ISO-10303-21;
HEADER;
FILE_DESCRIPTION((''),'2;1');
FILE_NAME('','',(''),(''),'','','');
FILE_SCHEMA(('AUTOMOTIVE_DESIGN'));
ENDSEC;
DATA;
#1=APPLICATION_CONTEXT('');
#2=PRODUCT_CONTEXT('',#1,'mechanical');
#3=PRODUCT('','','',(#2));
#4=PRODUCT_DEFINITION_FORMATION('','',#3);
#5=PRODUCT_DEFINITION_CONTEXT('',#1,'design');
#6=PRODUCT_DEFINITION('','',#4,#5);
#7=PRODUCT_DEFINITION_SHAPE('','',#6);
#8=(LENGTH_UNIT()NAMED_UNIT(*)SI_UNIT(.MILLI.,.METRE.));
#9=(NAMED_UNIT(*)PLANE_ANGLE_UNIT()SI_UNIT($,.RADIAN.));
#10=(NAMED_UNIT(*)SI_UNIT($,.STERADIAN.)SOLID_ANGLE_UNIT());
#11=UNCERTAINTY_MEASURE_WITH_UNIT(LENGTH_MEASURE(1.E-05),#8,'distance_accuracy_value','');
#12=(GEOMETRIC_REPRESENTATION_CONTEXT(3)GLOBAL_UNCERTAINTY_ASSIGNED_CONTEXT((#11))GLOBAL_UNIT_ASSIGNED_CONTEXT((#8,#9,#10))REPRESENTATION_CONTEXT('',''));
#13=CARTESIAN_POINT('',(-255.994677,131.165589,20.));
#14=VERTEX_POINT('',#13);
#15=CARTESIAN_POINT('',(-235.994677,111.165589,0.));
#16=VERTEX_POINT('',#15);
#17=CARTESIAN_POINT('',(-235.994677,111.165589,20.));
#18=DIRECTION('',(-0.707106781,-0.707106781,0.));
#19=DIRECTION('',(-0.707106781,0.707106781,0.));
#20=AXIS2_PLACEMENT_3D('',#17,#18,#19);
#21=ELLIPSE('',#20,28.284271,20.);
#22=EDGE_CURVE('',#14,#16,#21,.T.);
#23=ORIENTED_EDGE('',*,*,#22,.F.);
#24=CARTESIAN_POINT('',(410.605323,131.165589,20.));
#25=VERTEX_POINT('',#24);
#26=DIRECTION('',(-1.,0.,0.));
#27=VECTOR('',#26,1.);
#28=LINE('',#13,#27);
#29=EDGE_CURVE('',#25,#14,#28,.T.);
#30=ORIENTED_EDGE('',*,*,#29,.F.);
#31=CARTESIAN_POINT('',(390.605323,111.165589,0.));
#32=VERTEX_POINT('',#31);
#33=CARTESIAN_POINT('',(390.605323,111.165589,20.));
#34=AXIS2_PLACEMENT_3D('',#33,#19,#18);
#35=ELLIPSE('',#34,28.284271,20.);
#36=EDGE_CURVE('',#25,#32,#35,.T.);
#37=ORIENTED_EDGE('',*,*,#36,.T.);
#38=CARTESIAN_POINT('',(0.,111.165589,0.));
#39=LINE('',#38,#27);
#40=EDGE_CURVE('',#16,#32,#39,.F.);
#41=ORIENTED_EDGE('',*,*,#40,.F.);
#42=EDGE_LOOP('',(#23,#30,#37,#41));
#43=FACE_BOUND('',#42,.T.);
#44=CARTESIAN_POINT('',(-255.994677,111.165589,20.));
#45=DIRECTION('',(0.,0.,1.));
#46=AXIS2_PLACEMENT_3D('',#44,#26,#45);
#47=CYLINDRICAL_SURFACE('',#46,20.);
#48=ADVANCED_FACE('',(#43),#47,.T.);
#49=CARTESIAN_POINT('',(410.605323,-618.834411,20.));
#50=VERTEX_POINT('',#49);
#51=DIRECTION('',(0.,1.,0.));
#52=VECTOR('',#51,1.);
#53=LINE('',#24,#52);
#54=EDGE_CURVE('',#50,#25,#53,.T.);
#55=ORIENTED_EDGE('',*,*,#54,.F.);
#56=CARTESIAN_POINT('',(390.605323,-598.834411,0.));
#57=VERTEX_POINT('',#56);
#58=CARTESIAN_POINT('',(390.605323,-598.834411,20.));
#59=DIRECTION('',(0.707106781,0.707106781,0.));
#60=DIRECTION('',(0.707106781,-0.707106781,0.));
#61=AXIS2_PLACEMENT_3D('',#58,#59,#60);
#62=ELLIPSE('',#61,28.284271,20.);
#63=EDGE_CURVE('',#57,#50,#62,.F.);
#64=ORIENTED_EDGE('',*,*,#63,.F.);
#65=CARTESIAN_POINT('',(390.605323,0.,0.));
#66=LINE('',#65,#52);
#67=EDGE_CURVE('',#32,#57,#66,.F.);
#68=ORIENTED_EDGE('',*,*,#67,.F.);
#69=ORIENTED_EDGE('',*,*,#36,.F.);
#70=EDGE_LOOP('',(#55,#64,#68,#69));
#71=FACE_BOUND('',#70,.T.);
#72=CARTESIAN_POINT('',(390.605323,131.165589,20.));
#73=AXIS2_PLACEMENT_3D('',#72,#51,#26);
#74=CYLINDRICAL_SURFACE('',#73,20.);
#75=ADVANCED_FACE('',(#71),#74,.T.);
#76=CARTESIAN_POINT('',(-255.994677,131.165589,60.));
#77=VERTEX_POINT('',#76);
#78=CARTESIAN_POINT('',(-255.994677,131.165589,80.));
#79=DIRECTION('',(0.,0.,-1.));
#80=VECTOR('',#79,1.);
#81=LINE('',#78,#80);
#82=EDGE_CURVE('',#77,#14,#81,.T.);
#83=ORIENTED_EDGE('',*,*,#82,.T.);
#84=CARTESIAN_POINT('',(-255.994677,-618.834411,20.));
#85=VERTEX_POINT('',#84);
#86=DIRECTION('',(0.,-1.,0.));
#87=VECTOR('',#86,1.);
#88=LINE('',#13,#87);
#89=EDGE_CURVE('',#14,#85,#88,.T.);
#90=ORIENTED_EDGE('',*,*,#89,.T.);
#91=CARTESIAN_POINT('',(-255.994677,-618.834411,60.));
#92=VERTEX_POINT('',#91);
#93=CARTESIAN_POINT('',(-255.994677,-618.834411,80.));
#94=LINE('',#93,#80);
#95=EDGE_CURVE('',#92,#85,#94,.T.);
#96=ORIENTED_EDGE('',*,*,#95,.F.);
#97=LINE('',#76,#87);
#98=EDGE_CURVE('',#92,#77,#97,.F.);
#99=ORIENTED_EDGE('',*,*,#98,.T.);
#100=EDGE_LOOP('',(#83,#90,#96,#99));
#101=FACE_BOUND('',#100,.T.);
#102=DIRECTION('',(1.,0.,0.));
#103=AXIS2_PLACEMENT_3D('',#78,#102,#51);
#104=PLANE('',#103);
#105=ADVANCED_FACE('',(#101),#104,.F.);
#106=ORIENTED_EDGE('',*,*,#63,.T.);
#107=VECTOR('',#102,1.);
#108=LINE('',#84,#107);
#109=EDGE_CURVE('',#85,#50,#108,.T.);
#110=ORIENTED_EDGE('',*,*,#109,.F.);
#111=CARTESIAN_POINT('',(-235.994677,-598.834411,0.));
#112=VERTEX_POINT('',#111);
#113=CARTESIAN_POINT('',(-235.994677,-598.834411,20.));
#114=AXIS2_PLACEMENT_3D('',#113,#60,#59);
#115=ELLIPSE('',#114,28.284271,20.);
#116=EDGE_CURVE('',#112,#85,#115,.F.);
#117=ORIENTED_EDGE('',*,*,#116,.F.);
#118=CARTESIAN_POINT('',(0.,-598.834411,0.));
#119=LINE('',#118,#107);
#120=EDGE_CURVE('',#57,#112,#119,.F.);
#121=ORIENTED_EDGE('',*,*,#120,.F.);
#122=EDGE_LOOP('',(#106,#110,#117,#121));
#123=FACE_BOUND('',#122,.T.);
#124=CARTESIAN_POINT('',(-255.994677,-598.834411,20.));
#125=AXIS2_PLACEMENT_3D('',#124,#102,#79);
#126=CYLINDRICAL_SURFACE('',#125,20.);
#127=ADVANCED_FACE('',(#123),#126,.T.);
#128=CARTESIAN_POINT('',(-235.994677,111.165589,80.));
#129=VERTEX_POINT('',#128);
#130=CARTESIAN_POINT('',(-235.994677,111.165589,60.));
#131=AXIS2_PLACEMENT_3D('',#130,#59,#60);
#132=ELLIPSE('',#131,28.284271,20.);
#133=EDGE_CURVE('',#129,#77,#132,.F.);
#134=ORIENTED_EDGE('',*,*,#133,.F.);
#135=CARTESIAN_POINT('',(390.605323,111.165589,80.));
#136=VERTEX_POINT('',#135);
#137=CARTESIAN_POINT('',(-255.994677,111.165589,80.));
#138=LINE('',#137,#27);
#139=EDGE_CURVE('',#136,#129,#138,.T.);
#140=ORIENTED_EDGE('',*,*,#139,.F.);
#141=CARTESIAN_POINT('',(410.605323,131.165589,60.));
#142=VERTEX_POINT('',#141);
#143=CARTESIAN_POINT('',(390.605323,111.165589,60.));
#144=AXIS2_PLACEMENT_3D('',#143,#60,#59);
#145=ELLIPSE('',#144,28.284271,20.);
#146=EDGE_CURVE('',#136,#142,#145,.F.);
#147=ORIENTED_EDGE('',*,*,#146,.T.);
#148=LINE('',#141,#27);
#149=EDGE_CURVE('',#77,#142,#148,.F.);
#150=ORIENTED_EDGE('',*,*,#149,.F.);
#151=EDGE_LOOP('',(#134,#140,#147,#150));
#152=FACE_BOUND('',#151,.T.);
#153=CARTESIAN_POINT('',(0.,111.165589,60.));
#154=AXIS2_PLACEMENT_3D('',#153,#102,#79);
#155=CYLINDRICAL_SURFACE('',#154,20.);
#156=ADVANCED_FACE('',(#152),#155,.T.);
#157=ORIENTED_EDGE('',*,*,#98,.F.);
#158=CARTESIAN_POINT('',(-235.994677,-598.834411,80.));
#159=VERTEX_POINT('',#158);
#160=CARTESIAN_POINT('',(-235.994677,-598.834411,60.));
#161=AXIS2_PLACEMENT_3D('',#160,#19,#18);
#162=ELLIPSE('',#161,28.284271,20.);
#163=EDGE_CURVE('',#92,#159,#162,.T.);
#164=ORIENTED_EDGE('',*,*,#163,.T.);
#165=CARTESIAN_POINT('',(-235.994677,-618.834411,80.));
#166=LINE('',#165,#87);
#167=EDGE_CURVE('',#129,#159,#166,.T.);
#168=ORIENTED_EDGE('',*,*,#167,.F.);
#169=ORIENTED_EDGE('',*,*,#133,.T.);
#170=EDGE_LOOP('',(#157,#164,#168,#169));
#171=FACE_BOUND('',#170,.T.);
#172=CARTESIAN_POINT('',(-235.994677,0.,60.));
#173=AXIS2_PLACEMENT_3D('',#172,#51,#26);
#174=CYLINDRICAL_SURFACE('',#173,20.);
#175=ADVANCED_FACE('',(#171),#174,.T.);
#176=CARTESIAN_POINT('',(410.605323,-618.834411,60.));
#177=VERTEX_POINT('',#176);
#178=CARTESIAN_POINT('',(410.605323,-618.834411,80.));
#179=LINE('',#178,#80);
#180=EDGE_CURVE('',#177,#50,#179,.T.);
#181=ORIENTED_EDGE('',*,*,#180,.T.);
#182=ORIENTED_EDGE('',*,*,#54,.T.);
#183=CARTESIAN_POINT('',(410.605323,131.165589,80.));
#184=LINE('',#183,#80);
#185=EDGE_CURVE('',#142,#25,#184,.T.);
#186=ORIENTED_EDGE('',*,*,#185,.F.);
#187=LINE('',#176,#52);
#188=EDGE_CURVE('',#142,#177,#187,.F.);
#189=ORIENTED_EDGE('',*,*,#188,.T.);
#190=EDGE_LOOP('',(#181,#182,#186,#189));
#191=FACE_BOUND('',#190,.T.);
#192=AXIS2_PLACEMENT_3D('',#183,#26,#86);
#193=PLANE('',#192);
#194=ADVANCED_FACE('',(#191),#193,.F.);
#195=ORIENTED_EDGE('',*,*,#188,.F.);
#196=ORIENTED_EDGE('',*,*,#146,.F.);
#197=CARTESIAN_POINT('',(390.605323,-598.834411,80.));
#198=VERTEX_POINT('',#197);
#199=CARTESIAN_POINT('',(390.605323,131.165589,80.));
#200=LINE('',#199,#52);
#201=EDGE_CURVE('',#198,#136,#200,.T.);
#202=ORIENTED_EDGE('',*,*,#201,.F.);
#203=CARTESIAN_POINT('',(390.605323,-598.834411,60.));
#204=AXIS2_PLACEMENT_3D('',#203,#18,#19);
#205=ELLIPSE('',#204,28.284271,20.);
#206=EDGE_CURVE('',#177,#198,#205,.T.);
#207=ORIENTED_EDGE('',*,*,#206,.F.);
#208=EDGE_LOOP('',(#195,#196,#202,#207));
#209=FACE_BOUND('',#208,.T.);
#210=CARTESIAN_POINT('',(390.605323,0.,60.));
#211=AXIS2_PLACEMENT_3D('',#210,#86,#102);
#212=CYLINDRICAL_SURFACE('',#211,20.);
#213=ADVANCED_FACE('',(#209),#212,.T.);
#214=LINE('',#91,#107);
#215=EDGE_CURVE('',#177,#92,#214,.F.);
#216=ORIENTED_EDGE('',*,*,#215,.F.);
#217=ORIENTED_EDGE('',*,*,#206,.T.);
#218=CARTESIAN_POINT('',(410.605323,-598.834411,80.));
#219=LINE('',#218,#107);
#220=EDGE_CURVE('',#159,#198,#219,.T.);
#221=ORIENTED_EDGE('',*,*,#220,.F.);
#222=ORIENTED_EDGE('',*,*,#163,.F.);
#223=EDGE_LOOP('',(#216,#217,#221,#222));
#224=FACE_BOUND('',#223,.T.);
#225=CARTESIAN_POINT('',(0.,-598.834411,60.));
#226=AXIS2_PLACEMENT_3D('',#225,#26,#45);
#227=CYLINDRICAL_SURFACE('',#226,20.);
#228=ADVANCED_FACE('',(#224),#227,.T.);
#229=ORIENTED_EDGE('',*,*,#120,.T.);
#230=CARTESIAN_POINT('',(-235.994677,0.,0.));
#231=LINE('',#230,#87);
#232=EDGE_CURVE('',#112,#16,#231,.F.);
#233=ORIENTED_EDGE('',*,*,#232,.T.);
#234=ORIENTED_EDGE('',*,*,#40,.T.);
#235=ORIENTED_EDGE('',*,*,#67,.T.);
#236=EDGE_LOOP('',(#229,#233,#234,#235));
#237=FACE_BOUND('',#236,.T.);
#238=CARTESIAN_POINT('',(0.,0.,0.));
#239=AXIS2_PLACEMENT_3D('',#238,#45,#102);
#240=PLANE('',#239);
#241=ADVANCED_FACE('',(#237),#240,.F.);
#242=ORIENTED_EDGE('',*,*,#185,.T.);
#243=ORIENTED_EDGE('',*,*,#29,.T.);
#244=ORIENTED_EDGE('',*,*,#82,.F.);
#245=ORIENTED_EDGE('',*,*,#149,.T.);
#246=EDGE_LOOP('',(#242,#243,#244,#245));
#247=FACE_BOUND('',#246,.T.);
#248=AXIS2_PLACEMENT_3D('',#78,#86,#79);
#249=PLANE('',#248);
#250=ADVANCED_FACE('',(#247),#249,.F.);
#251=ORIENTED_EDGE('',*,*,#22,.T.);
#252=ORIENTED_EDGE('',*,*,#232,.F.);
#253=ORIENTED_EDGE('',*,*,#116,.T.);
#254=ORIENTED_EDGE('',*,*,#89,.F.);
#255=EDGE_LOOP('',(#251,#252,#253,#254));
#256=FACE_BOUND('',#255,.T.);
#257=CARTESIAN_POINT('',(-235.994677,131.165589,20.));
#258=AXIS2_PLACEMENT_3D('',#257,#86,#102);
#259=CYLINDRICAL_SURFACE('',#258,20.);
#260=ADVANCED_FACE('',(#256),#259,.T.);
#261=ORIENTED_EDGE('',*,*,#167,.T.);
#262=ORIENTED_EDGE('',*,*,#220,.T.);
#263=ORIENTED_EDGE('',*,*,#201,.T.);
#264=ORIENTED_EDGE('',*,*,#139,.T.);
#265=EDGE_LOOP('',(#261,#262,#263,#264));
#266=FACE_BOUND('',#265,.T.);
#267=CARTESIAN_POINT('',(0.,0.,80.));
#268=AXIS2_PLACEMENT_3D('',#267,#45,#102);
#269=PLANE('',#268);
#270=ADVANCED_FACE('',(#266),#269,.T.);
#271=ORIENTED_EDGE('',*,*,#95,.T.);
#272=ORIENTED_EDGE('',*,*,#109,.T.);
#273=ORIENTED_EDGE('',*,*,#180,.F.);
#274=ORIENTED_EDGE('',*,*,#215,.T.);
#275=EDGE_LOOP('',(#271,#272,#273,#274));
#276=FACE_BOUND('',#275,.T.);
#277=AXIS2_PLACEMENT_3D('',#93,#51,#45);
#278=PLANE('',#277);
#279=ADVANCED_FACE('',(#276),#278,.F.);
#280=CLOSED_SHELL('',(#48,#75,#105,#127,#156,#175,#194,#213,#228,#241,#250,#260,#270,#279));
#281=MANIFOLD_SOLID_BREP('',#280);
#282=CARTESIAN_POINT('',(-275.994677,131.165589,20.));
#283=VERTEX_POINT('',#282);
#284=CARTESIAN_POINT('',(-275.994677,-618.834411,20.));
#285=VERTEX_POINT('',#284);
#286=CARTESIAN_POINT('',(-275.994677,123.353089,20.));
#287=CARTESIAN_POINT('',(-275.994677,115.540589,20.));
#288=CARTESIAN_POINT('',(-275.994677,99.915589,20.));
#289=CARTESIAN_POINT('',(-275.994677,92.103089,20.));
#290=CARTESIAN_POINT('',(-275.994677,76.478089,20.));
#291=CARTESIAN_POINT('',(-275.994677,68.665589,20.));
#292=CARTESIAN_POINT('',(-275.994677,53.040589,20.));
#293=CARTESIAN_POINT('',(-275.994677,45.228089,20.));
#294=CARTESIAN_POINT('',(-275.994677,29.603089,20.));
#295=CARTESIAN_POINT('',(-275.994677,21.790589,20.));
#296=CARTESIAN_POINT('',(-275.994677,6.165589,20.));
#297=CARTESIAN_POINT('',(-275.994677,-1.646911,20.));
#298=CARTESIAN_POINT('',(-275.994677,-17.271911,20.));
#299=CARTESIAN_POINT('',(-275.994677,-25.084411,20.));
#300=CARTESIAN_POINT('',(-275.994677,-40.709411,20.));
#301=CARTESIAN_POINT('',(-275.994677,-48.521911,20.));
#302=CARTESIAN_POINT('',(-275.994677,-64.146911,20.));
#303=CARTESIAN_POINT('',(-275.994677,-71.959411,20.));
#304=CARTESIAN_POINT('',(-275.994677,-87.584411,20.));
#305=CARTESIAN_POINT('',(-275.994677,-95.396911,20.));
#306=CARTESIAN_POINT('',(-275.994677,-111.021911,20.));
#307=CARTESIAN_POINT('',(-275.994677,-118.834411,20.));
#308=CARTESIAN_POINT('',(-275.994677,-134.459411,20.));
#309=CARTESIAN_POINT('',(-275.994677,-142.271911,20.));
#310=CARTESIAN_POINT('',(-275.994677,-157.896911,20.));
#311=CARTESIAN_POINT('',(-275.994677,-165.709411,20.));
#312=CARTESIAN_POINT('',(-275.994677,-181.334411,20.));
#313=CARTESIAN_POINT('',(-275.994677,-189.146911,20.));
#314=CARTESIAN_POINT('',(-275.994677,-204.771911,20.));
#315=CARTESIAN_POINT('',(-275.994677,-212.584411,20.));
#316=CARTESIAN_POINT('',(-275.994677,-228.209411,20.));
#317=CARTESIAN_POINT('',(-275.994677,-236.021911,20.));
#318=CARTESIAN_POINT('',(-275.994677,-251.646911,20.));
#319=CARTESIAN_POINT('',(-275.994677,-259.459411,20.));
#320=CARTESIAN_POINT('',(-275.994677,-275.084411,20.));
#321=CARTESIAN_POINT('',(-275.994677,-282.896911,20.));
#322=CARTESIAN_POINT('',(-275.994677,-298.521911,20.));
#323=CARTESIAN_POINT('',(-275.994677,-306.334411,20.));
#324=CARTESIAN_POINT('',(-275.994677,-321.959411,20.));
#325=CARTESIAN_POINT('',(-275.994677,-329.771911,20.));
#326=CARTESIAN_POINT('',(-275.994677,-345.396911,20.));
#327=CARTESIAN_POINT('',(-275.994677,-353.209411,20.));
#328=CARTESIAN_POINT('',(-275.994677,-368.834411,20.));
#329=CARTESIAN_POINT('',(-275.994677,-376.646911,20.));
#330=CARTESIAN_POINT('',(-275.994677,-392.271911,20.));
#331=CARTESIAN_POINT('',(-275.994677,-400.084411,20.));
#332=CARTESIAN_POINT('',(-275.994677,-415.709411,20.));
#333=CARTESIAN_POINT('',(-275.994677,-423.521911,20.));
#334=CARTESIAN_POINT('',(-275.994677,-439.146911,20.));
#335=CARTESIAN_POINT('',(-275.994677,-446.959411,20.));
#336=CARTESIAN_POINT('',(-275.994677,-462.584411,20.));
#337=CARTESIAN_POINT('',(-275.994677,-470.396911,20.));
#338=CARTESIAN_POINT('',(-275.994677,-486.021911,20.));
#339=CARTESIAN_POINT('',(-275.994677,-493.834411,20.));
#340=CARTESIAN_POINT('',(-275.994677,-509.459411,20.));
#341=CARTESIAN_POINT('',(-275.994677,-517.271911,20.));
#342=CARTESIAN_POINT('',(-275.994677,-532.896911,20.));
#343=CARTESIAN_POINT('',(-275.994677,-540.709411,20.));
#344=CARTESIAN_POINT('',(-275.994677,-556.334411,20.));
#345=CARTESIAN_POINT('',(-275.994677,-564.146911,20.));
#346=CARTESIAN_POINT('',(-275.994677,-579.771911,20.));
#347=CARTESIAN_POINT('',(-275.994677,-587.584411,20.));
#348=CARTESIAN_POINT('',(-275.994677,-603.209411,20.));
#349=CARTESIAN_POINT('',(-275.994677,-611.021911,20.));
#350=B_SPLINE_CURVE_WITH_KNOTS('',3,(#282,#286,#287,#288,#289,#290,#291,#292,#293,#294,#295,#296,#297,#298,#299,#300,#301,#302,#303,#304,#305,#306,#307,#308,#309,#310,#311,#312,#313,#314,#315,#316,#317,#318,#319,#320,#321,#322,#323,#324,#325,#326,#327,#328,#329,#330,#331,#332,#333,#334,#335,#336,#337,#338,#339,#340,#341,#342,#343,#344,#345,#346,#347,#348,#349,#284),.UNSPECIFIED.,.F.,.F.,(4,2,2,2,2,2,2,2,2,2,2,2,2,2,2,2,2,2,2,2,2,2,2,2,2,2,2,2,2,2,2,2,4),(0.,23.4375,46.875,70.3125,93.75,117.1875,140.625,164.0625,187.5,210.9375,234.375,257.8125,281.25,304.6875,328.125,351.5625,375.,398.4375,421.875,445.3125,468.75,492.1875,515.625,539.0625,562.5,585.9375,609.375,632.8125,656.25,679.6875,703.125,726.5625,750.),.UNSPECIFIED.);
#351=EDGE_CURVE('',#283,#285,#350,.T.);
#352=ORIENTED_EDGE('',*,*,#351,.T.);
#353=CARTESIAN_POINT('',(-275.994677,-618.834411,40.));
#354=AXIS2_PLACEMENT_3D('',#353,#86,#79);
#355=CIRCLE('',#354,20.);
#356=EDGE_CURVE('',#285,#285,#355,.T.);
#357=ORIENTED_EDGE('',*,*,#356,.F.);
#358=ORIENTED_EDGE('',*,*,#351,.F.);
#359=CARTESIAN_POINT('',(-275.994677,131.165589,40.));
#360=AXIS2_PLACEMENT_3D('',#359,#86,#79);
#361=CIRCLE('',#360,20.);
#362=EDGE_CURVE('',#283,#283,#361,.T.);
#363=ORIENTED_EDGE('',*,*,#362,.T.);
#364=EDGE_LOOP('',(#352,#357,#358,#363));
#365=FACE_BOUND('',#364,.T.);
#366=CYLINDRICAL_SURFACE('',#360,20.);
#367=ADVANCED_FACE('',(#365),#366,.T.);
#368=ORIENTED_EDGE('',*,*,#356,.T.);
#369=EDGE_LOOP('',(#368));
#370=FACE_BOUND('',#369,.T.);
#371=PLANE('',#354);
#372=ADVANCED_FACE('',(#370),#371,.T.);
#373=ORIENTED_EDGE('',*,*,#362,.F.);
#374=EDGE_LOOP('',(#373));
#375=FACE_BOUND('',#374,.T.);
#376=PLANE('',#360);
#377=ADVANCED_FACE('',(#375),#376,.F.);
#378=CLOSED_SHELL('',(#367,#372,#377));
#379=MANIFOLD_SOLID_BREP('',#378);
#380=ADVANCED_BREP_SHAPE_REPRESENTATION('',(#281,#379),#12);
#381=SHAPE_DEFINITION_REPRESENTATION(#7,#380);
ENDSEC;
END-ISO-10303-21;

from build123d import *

# Parameters (mm, degrees)
SKETCH2_W           = 666.6
SKETCH2_H           = 750
BOSS_EXTRUDE1_DEPTH = 80
FILLET1_R           = 20
SKETCH3_R           = 20
BOSS_EXTRUDE2_DEPTH = 750


with BuildPart() as part:
    # Sketch2 → Boss-Extrude1 (new body)
    with BuildSketch(Plane.XY):
        with Locations((77.305323194, -243.834410646)):
            Rectangle(SKETCH2_W, SKETCH2_H)
    extrude(amount=BOSS_EXTRUDE1_DEPTH)

    # Fillet1
    fillet1_edges = [part.edges().sort_by_distance(p)[0] for p in [
        (410.605323194, -243.834410646, 80),
        (77.305323194, 131.165589354, 80),
        (-255.994676806, -243.834410646, 80),
        (77.305323194, 131.165589354, 0),
        (410.605323194, -243.834410646, 0),
        (77.305323194, -618.834410646, 0),
        (-255.994676806, -243.834410646, 0),
        (77.305323194, -618.834410646, 80),
    ]]
    fillet(fillet1_edges, radius=FILLET1_R)


with BuildPart() as body_2:
    # Sketch3 → Boss-Extrude2 (new body)
    with BuildSketch(Plane(origin=(0, -618.834410646, 0), x_dir=(-1, 0, 0), z_dir=(0, -1, 0))):
        with Locations(Location((275.994676806, -40, 0), (0, 0, 90))):
            Circle(SKETCH3_R)
    extrude(amount=-BOSS_EXTRUDE2_DEPTH)


solid = Compound([part.part, body_2.part])
